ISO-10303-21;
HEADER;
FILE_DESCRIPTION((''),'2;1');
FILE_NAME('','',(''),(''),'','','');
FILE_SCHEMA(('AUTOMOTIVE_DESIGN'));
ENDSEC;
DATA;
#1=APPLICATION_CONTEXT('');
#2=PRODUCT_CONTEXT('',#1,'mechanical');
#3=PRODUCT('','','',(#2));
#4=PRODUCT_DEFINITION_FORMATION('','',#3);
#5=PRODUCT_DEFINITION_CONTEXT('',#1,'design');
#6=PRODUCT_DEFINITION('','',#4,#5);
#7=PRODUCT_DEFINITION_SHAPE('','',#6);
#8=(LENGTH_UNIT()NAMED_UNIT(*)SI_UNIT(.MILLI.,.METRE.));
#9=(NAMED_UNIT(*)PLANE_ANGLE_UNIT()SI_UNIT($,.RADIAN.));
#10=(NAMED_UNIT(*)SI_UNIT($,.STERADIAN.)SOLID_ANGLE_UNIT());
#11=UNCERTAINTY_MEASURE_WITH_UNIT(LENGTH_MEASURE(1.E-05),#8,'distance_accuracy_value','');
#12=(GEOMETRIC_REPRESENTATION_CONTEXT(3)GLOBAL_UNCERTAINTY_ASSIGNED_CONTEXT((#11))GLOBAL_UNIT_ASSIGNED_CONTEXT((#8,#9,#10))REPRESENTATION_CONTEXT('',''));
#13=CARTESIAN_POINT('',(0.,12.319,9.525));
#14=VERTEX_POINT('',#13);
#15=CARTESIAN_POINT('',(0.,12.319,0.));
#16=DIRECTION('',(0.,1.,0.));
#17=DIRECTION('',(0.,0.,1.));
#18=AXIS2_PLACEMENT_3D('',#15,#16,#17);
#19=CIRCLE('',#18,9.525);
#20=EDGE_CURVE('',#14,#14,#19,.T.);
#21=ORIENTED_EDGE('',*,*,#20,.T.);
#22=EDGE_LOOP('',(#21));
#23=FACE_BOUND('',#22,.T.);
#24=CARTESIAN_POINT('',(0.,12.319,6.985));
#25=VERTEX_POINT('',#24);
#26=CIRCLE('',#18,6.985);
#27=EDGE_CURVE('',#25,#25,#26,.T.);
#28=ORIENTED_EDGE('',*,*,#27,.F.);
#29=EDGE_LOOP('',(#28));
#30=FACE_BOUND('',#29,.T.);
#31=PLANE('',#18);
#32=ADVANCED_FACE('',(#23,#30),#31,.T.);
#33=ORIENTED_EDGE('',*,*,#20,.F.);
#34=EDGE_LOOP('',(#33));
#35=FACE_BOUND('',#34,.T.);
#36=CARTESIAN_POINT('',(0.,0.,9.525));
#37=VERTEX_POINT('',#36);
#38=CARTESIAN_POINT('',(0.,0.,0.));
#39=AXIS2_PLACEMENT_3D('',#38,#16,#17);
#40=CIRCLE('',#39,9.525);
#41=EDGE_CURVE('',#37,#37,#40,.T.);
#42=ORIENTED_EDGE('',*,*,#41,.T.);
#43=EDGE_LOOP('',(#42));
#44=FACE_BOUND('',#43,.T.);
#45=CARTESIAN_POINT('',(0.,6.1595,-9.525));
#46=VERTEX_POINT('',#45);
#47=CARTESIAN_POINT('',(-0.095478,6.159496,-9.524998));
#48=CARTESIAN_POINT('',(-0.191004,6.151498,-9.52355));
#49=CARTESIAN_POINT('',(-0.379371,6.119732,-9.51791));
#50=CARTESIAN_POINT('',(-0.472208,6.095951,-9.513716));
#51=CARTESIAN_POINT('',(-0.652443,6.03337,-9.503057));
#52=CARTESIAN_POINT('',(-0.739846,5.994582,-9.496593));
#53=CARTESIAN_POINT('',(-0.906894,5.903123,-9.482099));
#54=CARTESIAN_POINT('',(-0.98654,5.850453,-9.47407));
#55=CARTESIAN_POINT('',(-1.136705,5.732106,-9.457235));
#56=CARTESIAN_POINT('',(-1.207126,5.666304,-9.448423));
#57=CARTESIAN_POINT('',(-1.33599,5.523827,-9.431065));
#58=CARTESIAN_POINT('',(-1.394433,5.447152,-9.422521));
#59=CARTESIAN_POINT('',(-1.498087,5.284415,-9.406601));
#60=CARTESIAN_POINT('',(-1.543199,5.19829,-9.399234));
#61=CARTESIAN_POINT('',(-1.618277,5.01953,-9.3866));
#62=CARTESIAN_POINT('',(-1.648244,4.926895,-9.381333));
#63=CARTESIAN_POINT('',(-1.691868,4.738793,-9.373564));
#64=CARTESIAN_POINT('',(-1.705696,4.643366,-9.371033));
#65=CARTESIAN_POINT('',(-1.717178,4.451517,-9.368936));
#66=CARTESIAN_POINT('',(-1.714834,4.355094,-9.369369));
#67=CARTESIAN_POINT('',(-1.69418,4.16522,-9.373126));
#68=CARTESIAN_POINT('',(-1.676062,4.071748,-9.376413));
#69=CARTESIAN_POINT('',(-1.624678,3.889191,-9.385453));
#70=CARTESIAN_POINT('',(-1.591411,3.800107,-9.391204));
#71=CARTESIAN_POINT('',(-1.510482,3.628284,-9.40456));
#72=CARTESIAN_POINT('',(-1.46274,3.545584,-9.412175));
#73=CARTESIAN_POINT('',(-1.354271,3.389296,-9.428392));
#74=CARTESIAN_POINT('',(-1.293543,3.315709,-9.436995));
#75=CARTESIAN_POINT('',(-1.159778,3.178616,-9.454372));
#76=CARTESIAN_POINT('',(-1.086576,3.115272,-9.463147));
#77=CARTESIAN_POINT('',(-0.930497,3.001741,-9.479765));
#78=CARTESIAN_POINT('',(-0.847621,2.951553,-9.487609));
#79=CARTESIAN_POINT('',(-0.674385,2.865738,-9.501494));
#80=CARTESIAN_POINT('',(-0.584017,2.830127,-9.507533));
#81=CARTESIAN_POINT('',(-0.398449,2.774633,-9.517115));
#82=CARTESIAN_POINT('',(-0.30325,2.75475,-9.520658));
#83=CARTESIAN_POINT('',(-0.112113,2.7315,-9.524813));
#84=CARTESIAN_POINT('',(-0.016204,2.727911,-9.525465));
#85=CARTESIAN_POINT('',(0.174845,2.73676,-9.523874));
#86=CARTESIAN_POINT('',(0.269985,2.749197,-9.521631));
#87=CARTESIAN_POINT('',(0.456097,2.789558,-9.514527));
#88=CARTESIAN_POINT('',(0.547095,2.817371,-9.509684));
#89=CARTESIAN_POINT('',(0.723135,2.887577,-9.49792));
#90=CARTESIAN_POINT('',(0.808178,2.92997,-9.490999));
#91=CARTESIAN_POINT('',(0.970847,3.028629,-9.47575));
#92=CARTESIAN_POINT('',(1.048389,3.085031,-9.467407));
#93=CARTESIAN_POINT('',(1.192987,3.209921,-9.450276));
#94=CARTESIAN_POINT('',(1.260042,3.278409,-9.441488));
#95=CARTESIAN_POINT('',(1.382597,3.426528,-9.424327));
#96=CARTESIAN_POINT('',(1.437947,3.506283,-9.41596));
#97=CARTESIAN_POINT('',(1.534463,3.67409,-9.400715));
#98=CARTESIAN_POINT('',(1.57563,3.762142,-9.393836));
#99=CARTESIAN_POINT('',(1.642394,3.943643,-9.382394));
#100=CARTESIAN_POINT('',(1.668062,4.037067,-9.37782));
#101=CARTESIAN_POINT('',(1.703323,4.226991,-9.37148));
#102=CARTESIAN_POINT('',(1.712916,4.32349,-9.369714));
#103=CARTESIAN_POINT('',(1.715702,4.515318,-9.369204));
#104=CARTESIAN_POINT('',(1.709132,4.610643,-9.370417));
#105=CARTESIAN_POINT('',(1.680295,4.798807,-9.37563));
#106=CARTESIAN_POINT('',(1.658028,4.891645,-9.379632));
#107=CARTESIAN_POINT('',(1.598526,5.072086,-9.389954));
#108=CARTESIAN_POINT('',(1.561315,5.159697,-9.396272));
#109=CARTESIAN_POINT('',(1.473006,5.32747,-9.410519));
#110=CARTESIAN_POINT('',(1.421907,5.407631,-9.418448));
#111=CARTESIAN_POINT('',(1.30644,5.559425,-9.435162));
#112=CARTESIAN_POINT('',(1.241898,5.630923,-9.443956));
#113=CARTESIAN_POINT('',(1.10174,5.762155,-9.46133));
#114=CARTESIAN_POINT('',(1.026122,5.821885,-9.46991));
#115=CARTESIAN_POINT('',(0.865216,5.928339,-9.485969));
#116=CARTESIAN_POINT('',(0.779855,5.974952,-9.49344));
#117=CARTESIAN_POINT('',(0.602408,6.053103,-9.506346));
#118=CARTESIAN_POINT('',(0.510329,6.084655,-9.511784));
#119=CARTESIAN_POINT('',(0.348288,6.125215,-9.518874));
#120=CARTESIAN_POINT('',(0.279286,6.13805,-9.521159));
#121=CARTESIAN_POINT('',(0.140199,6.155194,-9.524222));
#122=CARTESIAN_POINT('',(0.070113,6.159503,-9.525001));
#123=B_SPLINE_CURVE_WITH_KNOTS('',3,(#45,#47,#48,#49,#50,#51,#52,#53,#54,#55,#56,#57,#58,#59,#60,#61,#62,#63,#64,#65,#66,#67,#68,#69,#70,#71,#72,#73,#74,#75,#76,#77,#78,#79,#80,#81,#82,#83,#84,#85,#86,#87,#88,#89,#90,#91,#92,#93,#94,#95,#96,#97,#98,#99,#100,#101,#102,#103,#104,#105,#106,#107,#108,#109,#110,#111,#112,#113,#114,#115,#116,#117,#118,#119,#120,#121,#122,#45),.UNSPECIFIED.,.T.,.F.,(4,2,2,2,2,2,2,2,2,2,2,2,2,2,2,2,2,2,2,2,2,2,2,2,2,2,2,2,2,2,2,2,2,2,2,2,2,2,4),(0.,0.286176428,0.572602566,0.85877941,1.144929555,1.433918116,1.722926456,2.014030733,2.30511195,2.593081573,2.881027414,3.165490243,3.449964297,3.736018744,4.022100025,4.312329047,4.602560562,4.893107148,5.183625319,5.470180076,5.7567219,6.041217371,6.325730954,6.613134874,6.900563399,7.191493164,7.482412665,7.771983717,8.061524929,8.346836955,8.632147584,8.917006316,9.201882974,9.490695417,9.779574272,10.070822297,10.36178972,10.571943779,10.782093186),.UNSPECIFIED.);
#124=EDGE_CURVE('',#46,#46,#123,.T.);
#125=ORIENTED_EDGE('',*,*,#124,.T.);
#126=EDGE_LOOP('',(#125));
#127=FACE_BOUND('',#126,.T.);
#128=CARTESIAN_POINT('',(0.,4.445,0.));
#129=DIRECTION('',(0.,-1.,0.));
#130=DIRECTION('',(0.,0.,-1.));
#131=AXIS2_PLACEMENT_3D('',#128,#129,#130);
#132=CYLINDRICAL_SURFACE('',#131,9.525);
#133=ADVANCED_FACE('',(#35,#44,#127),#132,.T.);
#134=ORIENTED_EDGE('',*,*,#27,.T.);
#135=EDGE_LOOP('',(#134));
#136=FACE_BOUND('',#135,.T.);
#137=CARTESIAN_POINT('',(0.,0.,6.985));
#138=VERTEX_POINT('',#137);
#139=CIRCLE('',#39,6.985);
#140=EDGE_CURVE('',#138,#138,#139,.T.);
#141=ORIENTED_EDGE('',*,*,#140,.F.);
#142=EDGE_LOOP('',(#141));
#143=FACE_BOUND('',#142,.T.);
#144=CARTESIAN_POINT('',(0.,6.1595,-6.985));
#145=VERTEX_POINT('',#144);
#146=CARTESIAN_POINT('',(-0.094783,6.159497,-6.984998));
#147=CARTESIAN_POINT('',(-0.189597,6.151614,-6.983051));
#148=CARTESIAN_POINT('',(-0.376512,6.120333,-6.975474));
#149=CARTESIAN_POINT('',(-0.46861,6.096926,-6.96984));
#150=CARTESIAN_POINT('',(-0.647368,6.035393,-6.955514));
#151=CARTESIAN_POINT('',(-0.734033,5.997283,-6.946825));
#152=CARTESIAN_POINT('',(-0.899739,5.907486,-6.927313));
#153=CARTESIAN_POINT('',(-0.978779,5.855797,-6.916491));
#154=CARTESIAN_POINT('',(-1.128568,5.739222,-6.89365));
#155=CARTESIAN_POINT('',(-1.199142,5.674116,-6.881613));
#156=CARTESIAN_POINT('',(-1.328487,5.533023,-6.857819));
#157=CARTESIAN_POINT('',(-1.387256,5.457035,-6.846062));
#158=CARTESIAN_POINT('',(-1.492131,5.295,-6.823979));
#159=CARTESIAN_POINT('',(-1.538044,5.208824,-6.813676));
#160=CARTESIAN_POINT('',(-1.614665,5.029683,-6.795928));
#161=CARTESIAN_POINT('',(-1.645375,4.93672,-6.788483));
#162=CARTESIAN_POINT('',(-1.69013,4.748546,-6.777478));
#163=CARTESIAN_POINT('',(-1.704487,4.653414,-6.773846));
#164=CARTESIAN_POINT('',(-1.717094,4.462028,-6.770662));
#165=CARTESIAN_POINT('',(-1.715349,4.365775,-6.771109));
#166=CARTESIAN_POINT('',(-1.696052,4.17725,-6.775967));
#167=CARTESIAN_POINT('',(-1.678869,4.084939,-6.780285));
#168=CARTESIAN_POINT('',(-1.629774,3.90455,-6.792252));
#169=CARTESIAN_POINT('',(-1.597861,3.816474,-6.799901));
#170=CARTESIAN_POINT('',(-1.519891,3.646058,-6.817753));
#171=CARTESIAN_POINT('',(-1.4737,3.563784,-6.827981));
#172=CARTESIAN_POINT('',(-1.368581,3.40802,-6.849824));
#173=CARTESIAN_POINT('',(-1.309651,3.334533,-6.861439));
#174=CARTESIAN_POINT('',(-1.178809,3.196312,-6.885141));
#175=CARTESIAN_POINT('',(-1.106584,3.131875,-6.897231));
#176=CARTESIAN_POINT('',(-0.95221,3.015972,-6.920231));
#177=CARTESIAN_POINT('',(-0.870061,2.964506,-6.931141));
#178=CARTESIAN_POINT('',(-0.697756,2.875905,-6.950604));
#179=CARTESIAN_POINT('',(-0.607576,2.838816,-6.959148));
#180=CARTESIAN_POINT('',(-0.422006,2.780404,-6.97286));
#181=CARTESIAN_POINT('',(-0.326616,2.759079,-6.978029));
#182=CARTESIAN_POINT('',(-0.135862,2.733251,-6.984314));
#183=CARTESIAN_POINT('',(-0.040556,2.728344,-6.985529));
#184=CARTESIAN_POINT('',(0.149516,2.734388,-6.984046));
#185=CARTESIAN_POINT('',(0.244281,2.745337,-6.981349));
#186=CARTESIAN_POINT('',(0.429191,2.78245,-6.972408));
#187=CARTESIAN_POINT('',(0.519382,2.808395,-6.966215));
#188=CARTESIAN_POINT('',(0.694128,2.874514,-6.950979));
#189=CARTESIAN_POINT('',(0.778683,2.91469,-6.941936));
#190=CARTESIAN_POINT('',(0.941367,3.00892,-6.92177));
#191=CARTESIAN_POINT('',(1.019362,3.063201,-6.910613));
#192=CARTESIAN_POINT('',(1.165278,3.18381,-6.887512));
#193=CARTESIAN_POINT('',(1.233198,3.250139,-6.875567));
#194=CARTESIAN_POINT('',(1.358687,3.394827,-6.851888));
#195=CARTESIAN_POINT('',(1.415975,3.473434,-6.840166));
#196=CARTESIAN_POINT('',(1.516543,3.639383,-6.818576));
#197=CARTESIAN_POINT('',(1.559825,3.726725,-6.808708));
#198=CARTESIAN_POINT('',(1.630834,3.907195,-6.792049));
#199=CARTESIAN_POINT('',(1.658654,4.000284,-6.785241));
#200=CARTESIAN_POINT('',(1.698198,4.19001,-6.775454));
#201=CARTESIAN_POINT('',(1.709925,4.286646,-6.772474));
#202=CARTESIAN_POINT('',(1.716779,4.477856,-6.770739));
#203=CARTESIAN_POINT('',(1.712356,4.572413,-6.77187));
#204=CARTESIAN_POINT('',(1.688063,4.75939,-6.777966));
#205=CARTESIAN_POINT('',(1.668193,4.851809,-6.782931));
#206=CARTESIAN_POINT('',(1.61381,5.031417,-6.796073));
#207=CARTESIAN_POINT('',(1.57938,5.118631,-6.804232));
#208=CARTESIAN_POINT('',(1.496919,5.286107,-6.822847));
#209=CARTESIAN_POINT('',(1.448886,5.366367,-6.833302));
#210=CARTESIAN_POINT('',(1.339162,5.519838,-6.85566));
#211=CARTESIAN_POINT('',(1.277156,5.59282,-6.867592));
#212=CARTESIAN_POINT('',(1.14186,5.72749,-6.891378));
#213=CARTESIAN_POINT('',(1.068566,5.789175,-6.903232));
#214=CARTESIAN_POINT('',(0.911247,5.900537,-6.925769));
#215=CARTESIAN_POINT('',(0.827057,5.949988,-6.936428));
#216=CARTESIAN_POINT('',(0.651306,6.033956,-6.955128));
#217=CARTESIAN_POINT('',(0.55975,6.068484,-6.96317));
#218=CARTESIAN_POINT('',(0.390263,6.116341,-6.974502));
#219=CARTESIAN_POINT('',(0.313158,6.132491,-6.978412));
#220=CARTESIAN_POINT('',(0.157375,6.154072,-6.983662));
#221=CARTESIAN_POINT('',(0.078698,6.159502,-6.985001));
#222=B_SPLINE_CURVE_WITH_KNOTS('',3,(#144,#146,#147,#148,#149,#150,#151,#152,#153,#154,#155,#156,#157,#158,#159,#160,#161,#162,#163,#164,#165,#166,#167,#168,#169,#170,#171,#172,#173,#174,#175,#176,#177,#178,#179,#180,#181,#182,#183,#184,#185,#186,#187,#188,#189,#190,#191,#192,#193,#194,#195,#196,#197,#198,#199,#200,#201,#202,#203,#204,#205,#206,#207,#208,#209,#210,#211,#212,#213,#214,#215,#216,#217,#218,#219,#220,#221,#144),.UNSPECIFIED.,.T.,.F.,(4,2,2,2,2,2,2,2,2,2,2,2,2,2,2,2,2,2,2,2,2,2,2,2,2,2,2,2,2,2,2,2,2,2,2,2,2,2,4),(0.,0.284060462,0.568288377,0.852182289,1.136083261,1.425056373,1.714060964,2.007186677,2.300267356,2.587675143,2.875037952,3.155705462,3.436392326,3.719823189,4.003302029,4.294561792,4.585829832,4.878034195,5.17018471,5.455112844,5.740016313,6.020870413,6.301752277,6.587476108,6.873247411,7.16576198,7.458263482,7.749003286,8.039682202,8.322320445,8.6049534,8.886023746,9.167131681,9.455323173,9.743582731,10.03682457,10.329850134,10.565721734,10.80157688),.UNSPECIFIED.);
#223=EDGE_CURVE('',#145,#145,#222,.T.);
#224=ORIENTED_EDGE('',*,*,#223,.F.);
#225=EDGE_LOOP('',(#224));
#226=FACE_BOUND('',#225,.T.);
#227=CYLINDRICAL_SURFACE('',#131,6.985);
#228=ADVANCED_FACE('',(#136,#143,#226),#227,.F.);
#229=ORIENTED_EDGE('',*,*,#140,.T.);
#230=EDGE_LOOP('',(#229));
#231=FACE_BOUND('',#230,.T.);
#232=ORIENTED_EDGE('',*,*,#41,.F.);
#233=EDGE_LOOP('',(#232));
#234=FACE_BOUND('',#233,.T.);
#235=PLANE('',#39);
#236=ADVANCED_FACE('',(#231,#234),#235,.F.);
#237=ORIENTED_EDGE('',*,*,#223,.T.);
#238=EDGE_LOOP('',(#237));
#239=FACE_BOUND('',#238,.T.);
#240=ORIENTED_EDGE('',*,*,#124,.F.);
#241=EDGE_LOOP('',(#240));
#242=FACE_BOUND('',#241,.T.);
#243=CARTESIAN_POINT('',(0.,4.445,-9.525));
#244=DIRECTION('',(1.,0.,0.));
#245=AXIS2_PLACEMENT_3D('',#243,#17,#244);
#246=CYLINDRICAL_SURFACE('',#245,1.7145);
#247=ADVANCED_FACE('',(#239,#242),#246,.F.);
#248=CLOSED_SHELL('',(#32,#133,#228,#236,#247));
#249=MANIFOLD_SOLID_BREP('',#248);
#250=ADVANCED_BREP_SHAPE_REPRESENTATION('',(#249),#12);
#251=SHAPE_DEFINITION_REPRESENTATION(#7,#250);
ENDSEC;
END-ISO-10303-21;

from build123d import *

# Parameters (mm, degrees)
SKETCH1_R           = 9.525
SKETCH1_R_2         = 6.985
BOSS_EXTRUDE1_DEPTH = 4.445
SKETCH3_R           = 9.525
SKETCH3_R_2         = 6.985
BOSS_EXTRUDE2_DEPTH = 6.35
SKETCH2_R           = 1.7145
CUT_EXTRUDE1_DEPTH  = 10.525
SKETCH4_R           = 9.525
SKETCH4_R_2         = 6.985
BOSS_EXTRUDE3_DEPTH = 1.524


with BuildPart() as part:
    # Sketch1 → Boss-Extrude1 (new body)
    with BuildSketch(Plane(origin=(0, 0, 0), x_dir=(1, 0, 0), z_dir=(0, 1, 0))):
        Circle(SKETCH1_R)
        Circle(SKETCH1_R_2, mode=Mode.SUBTRACT)
    extrude(amount=BOSS_EXTRUDE1_DEPTH)

    # Sketch3 → Boss-Extrude2 (add)
    with BuildSketch(Plane(origin=(0, 4.445, 0), x_dir=(1, 0, 0), z_dir=(0, 1, 0))):
        Circle(SKETCH3_R)
        Circle(SKETCH3_R_2, mode=Mode.SUBTRACT)
    extrude(amount=BOSS_EXTRUDE2_DEPTH)

    # Sketch2 → Cut-Extrude1 (cut, through all)
    with BuildSketch(Plane.XY):
        with Locations((0, 4.445)):
            Circle(SKETCH2_R)
    extrude(amount=-CUT_EXTRUDE1_DEPTH, mode=Mode.SUBTRACT)

    # Sketch4 → Boss-Extrude3 (add)
    with BuildSketch(Plane(origin=(0, 10.795, 0), x_dir=(1, 0, 0), z_dir=(0, 1, 0))):
        Circle(SKETCH4_R)
        Circle(SKETCH4_R_2, mode=Mode.SUBTRACT)
    extrude(amount=BOSS_EXTRUDE3_DEPTH)


solid = part.part
